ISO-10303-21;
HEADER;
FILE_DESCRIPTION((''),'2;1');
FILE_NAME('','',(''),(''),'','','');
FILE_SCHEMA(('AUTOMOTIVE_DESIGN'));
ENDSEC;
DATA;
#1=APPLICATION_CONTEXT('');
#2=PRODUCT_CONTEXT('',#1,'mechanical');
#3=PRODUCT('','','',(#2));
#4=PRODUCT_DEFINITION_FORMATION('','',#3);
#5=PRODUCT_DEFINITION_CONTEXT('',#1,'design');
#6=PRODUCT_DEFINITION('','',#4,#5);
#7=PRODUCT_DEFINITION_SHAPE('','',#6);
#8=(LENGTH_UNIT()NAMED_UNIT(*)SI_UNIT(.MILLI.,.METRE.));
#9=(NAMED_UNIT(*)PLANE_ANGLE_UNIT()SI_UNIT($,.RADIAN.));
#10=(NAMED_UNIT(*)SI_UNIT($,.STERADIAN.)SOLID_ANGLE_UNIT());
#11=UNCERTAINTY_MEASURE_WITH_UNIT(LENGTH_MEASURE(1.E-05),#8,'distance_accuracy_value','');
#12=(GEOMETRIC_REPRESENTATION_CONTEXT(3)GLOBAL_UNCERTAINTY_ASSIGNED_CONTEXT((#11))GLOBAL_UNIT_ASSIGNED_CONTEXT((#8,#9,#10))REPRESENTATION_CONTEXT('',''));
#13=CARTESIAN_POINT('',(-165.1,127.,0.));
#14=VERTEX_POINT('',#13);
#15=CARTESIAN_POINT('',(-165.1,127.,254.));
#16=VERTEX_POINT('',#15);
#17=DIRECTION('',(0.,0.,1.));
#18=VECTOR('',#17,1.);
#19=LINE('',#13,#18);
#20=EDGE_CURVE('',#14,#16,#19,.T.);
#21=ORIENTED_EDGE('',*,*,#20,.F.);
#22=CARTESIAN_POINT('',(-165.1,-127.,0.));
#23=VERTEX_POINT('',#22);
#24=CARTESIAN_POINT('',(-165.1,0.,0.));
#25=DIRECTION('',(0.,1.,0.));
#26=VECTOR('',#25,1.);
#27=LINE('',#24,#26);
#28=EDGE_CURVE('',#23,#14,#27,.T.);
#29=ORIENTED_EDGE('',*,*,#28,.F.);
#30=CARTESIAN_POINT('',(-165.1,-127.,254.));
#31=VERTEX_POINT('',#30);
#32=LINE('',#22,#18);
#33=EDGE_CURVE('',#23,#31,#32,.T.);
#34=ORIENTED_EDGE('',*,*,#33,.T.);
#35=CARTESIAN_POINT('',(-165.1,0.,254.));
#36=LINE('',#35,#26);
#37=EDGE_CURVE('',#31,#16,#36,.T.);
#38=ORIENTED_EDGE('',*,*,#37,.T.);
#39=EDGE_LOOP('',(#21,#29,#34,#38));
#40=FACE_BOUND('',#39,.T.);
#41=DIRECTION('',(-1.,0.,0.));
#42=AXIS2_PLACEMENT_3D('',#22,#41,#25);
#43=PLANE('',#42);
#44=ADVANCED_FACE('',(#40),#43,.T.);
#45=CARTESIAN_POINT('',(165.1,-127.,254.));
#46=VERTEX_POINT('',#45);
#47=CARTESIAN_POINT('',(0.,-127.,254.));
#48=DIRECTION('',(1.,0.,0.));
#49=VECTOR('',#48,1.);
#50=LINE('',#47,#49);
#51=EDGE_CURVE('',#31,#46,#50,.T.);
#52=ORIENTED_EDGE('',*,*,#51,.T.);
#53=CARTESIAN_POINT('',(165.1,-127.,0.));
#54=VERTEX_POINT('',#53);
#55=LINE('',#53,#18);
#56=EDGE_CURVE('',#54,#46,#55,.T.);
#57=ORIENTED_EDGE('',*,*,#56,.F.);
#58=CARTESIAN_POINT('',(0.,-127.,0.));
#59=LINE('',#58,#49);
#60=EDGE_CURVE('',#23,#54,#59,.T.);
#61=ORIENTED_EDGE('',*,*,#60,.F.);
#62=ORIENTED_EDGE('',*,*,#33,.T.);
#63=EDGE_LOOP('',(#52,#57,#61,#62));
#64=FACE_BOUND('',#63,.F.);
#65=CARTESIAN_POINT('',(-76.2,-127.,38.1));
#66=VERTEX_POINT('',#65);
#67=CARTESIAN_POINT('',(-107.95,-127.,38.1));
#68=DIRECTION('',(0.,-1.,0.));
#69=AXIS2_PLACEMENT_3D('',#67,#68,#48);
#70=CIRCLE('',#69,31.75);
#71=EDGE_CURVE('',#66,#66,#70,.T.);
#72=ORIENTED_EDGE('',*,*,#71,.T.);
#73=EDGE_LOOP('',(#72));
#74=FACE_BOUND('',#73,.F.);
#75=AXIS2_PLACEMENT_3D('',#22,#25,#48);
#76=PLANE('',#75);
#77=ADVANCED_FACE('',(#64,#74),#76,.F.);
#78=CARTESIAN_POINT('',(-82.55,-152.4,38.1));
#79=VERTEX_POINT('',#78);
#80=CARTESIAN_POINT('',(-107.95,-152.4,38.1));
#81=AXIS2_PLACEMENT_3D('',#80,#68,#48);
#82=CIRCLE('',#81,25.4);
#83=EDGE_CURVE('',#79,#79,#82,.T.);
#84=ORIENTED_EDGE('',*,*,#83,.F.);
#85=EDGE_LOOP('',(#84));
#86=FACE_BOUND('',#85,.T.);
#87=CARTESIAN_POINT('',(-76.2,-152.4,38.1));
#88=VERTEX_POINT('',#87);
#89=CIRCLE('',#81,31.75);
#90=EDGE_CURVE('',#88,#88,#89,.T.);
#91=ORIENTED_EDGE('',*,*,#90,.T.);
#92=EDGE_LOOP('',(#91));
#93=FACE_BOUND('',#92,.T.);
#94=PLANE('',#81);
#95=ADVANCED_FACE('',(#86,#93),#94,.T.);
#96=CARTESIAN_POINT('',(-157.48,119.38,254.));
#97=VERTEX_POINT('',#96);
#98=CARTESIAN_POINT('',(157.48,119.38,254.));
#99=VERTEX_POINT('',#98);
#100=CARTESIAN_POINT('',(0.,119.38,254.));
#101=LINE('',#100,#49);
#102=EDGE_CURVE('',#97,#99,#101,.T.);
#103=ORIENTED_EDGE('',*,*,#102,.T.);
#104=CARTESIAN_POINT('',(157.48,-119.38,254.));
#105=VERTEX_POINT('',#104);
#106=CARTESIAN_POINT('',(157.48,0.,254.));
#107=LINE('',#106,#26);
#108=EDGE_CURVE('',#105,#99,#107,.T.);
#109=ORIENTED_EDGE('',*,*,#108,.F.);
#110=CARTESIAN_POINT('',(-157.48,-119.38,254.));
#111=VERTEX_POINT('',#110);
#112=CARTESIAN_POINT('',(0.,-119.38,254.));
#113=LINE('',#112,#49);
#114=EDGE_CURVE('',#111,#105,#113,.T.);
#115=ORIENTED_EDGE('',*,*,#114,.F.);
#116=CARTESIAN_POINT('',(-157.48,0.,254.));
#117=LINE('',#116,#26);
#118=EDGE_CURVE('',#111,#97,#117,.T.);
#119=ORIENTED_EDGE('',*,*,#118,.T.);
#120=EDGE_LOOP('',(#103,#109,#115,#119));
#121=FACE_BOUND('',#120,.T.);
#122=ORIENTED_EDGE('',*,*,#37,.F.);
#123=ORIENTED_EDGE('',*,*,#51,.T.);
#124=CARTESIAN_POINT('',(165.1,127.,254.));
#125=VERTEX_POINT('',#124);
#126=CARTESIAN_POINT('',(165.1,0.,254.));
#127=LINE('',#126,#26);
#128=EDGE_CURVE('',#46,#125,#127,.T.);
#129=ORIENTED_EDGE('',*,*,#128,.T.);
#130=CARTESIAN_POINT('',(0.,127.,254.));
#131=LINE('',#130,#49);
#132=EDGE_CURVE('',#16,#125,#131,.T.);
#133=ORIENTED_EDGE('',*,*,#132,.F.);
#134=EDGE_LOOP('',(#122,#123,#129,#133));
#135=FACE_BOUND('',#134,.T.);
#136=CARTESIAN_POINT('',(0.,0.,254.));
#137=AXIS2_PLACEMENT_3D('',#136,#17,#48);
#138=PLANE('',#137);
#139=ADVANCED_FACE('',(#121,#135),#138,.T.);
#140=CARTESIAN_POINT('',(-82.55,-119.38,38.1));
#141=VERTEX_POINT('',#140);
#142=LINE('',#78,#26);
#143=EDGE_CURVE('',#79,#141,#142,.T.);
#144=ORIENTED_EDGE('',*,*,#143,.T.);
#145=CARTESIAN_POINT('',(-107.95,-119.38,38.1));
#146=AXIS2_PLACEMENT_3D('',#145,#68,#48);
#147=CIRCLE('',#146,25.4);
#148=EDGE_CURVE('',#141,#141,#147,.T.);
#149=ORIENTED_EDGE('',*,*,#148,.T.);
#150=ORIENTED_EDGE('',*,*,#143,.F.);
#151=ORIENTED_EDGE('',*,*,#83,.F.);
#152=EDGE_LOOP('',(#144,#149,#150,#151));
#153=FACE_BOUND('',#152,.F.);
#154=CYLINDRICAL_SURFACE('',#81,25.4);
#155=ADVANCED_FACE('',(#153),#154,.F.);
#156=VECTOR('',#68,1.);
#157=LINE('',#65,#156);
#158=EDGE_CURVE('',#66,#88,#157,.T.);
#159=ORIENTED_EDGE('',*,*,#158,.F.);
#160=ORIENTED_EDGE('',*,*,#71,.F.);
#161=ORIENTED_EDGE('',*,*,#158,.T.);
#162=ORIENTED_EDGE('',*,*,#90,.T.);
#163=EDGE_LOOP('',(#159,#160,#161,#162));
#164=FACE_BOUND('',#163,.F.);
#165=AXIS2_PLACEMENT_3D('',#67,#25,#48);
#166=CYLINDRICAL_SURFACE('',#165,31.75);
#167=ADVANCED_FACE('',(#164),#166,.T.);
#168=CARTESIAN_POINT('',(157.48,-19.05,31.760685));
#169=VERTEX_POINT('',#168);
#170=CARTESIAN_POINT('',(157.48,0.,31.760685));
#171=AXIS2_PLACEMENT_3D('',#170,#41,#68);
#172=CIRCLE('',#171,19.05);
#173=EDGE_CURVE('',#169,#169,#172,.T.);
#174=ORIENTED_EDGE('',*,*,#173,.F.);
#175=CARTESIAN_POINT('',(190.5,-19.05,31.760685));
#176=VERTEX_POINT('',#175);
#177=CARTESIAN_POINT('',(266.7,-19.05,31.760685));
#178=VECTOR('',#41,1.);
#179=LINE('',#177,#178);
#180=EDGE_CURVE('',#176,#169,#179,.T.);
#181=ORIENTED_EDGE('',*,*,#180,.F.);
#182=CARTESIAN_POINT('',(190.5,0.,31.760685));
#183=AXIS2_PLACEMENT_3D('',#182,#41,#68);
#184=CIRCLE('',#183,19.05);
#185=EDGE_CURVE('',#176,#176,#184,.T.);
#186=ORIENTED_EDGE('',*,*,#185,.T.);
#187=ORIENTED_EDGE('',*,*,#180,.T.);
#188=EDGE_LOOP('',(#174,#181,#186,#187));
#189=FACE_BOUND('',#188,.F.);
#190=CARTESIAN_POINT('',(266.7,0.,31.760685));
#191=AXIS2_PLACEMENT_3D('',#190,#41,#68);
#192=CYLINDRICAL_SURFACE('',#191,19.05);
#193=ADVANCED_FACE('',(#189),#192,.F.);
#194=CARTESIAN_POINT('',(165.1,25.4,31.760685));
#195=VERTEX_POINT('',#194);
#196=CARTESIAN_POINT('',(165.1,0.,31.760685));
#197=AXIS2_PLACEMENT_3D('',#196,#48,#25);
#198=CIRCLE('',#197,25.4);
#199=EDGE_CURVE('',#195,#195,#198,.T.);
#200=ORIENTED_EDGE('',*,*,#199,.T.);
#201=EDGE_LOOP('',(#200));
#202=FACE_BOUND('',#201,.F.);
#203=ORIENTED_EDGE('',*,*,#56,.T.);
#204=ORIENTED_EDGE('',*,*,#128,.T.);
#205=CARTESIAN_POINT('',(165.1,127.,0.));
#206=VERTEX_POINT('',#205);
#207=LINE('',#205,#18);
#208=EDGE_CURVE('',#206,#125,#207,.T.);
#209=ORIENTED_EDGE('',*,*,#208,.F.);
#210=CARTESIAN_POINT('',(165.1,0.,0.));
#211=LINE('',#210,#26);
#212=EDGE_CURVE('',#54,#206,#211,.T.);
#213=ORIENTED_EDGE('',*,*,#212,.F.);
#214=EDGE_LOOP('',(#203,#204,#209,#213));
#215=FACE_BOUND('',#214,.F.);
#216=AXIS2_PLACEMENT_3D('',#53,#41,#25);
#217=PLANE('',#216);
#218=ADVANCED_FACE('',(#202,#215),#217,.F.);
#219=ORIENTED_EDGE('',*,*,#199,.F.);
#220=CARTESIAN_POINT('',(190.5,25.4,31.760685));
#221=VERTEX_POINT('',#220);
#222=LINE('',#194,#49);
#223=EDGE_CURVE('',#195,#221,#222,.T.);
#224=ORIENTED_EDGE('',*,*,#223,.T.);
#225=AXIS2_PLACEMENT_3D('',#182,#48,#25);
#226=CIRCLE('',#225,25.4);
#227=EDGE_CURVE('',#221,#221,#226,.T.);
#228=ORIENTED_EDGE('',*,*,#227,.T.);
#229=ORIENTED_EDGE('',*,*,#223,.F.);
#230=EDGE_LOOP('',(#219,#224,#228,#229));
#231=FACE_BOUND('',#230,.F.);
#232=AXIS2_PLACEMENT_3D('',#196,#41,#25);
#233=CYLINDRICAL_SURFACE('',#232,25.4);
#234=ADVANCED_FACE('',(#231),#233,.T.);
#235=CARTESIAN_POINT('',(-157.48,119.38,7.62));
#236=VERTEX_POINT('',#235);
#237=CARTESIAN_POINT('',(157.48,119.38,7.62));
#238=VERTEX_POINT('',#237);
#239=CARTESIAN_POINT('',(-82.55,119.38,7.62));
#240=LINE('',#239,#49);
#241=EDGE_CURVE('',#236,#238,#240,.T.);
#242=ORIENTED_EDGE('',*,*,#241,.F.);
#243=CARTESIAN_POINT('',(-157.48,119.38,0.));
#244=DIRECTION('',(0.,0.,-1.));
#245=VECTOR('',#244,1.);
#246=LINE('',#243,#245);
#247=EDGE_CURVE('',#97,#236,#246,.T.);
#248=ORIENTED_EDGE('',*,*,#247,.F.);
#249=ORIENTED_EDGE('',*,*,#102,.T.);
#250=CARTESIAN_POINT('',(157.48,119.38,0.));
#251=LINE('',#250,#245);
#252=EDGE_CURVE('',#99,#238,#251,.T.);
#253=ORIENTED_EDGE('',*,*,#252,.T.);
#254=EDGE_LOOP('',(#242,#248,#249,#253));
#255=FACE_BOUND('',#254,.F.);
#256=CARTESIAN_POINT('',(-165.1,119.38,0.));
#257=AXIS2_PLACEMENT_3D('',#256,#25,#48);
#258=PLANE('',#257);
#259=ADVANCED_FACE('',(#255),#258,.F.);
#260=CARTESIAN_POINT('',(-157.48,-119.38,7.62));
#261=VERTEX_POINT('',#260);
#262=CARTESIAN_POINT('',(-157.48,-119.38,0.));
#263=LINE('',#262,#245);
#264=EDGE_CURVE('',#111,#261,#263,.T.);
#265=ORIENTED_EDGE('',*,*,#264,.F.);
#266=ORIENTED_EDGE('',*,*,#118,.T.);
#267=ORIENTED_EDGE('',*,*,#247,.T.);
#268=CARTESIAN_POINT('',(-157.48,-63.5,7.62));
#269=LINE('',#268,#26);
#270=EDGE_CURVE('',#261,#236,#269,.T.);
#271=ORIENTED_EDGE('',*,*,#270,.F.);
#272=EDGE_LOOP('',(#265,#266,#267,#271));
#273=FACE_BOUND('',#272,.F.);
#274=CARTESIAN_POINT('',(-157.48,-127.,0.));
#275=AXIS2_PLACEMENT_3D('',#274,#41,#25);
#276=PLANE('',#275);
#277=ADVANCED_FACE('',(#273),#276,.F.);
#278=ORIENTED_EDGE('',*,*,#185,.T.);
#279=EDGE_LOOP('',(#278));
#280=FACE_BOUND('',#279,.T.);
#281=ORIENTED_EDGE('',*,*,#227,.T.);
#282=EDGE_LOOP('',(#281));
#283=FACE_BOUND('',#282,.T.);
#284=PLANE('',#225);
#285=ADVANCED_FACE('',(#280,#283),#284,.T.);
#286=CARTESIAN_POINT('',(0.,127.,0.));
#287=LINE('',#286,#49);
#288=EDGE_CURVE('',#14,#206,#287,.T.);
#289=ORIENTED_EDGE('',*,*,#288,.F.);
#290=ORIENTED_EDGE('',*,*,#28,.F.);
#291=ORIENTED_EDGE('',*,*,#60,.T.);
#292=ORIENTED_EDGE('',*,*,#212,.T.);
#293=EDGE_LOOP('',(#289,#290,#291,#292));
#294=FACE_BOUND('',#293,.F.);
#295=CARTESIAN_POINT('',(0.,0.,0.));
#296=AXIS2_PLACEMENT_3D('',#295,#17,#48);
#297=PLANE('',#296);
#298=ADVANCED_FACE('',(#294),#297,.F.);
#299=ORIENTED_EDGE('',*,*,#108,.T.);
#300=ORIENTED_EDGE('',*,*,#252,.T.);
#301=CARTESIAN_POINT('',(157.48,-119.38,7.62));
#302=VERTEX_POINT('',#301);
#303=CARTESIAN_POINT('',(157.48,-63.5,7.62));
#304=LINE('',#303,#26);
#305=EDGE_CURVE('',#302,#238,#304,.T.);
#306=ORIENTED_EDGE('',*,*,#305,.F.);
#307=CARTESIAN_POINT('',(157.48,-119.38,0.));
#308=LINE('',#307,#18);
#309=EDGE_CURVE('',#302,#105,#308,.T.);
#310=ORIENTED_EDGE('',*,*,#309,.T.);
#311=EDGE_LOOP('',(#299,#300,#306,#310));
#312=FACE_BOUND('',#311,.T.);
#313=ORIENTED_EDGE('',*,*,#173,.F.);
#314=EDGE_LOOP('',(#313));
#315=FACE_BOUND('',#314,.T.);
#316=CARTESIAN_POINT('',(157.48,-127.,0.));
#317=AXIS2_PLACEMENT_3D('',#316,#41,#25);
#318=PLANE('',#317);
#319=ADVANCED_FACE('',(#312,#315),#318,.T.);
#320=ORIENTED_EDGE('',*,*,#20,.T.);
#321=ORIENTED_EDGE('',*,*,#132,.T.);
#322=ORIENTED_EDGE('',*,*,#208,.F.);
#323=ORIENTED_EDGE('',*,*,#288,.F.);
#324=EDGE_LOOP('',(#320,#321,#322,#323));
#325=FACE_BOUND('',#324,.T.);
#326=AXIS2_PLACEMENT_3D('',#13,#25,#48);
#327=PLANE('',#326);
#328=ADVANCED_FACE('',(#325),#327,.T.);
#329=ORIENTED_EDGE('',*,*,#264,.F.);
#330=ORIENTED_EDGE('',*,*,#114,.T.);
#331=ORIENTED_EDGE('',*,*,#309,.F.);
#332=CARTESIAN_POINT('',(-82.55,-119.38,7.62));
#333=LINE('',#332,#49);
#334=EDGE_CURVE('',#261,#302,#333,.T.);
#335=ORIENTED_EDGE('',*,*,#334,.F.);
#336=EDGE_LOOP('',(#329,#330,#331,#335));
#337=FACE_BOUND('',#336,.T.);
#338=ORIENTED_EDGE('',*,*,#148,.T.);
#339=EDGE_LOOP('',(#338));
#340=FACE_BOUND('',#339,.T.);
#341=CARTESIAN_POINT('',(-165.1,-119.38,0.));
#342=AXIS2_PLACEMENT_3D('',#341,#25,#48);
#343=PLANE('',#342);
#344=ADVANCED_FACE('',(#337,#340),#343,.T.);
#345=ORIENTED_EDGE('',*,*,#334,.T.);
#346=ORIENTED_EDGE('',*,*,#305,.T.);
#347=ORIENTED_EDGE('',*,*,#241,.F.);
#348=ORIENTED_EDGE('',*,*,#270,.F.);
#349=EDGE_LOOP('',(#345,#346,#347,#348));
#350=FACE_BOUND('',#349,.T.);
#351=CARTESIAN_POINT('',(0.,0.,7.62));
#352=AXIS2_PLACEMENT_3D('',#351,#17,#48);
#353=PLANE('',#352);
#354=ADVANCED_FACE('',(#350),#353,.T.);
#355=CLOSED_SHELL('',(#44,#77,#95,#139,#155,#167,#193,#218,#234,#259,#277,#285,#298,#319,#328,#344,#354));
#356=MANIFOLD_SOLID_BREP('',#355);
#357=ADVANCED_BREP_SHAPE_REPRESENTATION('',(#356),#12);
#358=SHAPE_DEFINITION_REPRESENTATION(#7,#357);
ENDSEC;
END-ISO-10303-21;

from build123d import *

# Parameters (mm, degrees)
F0_W      = 330.2
F0_H      = 254
F1_DEPTH  = 254
F2_T      = -7.62
F3_R      = 25.4
F4_DEPTH  = 25.4
F6_D      = 38.1
F6_DEPTH  = 76.2
F7_R      = 31.75
F8_DEPTH  = 25.4
F9_R      = 25.4
F10_DEPTH = 76.2


with BuildPart() as f1:
    # F0 (on Top) → F1 (new body)
    with BuildSketch(Plane.XY):
        Rectangle(F0_W, F0_H)
    extrude(amount=F1_DEPTH)

    # F2
    f2_openings = [f1.faces().sort_by_distance(p)[0] for p in [
        (0, 0, 254),
    ]]
    offset(amount=F2_T, openings=f2_openings)

    # F3 (on face) → F4 (join)
    with BuildSketch(Plane.YZ.offset(165.1)):
        with Locations((0, 31.760685)):
            Circle(F3_R)
    extrude(amount=F4_DEPTH)

    # F6
    with Locations(Plane.YZ.offset(190.5)):
        with Locations((0, 31.760685)):
            Hole(F6_D / 2, depth=F6_DEPTH)

    # F7 (on face) → F8 (join)
    with BuildSketch(Plane.XZ.offset(127)):
        with Locations((-107.95, 38.1)):
            Circle(F7_R)
    extrude(amount=F8_DEPTH)

    # F9 (on face) → F10 (cut)
    with BuildSketch(Plane.XZ.offset(152.4)):
        with Locations((-107.95, 38.1)):
            Circle(F9_R)
    extrude(amount=-F10_DEPTH, mode=Mode.SUBTRACT)


solid = f1.part
